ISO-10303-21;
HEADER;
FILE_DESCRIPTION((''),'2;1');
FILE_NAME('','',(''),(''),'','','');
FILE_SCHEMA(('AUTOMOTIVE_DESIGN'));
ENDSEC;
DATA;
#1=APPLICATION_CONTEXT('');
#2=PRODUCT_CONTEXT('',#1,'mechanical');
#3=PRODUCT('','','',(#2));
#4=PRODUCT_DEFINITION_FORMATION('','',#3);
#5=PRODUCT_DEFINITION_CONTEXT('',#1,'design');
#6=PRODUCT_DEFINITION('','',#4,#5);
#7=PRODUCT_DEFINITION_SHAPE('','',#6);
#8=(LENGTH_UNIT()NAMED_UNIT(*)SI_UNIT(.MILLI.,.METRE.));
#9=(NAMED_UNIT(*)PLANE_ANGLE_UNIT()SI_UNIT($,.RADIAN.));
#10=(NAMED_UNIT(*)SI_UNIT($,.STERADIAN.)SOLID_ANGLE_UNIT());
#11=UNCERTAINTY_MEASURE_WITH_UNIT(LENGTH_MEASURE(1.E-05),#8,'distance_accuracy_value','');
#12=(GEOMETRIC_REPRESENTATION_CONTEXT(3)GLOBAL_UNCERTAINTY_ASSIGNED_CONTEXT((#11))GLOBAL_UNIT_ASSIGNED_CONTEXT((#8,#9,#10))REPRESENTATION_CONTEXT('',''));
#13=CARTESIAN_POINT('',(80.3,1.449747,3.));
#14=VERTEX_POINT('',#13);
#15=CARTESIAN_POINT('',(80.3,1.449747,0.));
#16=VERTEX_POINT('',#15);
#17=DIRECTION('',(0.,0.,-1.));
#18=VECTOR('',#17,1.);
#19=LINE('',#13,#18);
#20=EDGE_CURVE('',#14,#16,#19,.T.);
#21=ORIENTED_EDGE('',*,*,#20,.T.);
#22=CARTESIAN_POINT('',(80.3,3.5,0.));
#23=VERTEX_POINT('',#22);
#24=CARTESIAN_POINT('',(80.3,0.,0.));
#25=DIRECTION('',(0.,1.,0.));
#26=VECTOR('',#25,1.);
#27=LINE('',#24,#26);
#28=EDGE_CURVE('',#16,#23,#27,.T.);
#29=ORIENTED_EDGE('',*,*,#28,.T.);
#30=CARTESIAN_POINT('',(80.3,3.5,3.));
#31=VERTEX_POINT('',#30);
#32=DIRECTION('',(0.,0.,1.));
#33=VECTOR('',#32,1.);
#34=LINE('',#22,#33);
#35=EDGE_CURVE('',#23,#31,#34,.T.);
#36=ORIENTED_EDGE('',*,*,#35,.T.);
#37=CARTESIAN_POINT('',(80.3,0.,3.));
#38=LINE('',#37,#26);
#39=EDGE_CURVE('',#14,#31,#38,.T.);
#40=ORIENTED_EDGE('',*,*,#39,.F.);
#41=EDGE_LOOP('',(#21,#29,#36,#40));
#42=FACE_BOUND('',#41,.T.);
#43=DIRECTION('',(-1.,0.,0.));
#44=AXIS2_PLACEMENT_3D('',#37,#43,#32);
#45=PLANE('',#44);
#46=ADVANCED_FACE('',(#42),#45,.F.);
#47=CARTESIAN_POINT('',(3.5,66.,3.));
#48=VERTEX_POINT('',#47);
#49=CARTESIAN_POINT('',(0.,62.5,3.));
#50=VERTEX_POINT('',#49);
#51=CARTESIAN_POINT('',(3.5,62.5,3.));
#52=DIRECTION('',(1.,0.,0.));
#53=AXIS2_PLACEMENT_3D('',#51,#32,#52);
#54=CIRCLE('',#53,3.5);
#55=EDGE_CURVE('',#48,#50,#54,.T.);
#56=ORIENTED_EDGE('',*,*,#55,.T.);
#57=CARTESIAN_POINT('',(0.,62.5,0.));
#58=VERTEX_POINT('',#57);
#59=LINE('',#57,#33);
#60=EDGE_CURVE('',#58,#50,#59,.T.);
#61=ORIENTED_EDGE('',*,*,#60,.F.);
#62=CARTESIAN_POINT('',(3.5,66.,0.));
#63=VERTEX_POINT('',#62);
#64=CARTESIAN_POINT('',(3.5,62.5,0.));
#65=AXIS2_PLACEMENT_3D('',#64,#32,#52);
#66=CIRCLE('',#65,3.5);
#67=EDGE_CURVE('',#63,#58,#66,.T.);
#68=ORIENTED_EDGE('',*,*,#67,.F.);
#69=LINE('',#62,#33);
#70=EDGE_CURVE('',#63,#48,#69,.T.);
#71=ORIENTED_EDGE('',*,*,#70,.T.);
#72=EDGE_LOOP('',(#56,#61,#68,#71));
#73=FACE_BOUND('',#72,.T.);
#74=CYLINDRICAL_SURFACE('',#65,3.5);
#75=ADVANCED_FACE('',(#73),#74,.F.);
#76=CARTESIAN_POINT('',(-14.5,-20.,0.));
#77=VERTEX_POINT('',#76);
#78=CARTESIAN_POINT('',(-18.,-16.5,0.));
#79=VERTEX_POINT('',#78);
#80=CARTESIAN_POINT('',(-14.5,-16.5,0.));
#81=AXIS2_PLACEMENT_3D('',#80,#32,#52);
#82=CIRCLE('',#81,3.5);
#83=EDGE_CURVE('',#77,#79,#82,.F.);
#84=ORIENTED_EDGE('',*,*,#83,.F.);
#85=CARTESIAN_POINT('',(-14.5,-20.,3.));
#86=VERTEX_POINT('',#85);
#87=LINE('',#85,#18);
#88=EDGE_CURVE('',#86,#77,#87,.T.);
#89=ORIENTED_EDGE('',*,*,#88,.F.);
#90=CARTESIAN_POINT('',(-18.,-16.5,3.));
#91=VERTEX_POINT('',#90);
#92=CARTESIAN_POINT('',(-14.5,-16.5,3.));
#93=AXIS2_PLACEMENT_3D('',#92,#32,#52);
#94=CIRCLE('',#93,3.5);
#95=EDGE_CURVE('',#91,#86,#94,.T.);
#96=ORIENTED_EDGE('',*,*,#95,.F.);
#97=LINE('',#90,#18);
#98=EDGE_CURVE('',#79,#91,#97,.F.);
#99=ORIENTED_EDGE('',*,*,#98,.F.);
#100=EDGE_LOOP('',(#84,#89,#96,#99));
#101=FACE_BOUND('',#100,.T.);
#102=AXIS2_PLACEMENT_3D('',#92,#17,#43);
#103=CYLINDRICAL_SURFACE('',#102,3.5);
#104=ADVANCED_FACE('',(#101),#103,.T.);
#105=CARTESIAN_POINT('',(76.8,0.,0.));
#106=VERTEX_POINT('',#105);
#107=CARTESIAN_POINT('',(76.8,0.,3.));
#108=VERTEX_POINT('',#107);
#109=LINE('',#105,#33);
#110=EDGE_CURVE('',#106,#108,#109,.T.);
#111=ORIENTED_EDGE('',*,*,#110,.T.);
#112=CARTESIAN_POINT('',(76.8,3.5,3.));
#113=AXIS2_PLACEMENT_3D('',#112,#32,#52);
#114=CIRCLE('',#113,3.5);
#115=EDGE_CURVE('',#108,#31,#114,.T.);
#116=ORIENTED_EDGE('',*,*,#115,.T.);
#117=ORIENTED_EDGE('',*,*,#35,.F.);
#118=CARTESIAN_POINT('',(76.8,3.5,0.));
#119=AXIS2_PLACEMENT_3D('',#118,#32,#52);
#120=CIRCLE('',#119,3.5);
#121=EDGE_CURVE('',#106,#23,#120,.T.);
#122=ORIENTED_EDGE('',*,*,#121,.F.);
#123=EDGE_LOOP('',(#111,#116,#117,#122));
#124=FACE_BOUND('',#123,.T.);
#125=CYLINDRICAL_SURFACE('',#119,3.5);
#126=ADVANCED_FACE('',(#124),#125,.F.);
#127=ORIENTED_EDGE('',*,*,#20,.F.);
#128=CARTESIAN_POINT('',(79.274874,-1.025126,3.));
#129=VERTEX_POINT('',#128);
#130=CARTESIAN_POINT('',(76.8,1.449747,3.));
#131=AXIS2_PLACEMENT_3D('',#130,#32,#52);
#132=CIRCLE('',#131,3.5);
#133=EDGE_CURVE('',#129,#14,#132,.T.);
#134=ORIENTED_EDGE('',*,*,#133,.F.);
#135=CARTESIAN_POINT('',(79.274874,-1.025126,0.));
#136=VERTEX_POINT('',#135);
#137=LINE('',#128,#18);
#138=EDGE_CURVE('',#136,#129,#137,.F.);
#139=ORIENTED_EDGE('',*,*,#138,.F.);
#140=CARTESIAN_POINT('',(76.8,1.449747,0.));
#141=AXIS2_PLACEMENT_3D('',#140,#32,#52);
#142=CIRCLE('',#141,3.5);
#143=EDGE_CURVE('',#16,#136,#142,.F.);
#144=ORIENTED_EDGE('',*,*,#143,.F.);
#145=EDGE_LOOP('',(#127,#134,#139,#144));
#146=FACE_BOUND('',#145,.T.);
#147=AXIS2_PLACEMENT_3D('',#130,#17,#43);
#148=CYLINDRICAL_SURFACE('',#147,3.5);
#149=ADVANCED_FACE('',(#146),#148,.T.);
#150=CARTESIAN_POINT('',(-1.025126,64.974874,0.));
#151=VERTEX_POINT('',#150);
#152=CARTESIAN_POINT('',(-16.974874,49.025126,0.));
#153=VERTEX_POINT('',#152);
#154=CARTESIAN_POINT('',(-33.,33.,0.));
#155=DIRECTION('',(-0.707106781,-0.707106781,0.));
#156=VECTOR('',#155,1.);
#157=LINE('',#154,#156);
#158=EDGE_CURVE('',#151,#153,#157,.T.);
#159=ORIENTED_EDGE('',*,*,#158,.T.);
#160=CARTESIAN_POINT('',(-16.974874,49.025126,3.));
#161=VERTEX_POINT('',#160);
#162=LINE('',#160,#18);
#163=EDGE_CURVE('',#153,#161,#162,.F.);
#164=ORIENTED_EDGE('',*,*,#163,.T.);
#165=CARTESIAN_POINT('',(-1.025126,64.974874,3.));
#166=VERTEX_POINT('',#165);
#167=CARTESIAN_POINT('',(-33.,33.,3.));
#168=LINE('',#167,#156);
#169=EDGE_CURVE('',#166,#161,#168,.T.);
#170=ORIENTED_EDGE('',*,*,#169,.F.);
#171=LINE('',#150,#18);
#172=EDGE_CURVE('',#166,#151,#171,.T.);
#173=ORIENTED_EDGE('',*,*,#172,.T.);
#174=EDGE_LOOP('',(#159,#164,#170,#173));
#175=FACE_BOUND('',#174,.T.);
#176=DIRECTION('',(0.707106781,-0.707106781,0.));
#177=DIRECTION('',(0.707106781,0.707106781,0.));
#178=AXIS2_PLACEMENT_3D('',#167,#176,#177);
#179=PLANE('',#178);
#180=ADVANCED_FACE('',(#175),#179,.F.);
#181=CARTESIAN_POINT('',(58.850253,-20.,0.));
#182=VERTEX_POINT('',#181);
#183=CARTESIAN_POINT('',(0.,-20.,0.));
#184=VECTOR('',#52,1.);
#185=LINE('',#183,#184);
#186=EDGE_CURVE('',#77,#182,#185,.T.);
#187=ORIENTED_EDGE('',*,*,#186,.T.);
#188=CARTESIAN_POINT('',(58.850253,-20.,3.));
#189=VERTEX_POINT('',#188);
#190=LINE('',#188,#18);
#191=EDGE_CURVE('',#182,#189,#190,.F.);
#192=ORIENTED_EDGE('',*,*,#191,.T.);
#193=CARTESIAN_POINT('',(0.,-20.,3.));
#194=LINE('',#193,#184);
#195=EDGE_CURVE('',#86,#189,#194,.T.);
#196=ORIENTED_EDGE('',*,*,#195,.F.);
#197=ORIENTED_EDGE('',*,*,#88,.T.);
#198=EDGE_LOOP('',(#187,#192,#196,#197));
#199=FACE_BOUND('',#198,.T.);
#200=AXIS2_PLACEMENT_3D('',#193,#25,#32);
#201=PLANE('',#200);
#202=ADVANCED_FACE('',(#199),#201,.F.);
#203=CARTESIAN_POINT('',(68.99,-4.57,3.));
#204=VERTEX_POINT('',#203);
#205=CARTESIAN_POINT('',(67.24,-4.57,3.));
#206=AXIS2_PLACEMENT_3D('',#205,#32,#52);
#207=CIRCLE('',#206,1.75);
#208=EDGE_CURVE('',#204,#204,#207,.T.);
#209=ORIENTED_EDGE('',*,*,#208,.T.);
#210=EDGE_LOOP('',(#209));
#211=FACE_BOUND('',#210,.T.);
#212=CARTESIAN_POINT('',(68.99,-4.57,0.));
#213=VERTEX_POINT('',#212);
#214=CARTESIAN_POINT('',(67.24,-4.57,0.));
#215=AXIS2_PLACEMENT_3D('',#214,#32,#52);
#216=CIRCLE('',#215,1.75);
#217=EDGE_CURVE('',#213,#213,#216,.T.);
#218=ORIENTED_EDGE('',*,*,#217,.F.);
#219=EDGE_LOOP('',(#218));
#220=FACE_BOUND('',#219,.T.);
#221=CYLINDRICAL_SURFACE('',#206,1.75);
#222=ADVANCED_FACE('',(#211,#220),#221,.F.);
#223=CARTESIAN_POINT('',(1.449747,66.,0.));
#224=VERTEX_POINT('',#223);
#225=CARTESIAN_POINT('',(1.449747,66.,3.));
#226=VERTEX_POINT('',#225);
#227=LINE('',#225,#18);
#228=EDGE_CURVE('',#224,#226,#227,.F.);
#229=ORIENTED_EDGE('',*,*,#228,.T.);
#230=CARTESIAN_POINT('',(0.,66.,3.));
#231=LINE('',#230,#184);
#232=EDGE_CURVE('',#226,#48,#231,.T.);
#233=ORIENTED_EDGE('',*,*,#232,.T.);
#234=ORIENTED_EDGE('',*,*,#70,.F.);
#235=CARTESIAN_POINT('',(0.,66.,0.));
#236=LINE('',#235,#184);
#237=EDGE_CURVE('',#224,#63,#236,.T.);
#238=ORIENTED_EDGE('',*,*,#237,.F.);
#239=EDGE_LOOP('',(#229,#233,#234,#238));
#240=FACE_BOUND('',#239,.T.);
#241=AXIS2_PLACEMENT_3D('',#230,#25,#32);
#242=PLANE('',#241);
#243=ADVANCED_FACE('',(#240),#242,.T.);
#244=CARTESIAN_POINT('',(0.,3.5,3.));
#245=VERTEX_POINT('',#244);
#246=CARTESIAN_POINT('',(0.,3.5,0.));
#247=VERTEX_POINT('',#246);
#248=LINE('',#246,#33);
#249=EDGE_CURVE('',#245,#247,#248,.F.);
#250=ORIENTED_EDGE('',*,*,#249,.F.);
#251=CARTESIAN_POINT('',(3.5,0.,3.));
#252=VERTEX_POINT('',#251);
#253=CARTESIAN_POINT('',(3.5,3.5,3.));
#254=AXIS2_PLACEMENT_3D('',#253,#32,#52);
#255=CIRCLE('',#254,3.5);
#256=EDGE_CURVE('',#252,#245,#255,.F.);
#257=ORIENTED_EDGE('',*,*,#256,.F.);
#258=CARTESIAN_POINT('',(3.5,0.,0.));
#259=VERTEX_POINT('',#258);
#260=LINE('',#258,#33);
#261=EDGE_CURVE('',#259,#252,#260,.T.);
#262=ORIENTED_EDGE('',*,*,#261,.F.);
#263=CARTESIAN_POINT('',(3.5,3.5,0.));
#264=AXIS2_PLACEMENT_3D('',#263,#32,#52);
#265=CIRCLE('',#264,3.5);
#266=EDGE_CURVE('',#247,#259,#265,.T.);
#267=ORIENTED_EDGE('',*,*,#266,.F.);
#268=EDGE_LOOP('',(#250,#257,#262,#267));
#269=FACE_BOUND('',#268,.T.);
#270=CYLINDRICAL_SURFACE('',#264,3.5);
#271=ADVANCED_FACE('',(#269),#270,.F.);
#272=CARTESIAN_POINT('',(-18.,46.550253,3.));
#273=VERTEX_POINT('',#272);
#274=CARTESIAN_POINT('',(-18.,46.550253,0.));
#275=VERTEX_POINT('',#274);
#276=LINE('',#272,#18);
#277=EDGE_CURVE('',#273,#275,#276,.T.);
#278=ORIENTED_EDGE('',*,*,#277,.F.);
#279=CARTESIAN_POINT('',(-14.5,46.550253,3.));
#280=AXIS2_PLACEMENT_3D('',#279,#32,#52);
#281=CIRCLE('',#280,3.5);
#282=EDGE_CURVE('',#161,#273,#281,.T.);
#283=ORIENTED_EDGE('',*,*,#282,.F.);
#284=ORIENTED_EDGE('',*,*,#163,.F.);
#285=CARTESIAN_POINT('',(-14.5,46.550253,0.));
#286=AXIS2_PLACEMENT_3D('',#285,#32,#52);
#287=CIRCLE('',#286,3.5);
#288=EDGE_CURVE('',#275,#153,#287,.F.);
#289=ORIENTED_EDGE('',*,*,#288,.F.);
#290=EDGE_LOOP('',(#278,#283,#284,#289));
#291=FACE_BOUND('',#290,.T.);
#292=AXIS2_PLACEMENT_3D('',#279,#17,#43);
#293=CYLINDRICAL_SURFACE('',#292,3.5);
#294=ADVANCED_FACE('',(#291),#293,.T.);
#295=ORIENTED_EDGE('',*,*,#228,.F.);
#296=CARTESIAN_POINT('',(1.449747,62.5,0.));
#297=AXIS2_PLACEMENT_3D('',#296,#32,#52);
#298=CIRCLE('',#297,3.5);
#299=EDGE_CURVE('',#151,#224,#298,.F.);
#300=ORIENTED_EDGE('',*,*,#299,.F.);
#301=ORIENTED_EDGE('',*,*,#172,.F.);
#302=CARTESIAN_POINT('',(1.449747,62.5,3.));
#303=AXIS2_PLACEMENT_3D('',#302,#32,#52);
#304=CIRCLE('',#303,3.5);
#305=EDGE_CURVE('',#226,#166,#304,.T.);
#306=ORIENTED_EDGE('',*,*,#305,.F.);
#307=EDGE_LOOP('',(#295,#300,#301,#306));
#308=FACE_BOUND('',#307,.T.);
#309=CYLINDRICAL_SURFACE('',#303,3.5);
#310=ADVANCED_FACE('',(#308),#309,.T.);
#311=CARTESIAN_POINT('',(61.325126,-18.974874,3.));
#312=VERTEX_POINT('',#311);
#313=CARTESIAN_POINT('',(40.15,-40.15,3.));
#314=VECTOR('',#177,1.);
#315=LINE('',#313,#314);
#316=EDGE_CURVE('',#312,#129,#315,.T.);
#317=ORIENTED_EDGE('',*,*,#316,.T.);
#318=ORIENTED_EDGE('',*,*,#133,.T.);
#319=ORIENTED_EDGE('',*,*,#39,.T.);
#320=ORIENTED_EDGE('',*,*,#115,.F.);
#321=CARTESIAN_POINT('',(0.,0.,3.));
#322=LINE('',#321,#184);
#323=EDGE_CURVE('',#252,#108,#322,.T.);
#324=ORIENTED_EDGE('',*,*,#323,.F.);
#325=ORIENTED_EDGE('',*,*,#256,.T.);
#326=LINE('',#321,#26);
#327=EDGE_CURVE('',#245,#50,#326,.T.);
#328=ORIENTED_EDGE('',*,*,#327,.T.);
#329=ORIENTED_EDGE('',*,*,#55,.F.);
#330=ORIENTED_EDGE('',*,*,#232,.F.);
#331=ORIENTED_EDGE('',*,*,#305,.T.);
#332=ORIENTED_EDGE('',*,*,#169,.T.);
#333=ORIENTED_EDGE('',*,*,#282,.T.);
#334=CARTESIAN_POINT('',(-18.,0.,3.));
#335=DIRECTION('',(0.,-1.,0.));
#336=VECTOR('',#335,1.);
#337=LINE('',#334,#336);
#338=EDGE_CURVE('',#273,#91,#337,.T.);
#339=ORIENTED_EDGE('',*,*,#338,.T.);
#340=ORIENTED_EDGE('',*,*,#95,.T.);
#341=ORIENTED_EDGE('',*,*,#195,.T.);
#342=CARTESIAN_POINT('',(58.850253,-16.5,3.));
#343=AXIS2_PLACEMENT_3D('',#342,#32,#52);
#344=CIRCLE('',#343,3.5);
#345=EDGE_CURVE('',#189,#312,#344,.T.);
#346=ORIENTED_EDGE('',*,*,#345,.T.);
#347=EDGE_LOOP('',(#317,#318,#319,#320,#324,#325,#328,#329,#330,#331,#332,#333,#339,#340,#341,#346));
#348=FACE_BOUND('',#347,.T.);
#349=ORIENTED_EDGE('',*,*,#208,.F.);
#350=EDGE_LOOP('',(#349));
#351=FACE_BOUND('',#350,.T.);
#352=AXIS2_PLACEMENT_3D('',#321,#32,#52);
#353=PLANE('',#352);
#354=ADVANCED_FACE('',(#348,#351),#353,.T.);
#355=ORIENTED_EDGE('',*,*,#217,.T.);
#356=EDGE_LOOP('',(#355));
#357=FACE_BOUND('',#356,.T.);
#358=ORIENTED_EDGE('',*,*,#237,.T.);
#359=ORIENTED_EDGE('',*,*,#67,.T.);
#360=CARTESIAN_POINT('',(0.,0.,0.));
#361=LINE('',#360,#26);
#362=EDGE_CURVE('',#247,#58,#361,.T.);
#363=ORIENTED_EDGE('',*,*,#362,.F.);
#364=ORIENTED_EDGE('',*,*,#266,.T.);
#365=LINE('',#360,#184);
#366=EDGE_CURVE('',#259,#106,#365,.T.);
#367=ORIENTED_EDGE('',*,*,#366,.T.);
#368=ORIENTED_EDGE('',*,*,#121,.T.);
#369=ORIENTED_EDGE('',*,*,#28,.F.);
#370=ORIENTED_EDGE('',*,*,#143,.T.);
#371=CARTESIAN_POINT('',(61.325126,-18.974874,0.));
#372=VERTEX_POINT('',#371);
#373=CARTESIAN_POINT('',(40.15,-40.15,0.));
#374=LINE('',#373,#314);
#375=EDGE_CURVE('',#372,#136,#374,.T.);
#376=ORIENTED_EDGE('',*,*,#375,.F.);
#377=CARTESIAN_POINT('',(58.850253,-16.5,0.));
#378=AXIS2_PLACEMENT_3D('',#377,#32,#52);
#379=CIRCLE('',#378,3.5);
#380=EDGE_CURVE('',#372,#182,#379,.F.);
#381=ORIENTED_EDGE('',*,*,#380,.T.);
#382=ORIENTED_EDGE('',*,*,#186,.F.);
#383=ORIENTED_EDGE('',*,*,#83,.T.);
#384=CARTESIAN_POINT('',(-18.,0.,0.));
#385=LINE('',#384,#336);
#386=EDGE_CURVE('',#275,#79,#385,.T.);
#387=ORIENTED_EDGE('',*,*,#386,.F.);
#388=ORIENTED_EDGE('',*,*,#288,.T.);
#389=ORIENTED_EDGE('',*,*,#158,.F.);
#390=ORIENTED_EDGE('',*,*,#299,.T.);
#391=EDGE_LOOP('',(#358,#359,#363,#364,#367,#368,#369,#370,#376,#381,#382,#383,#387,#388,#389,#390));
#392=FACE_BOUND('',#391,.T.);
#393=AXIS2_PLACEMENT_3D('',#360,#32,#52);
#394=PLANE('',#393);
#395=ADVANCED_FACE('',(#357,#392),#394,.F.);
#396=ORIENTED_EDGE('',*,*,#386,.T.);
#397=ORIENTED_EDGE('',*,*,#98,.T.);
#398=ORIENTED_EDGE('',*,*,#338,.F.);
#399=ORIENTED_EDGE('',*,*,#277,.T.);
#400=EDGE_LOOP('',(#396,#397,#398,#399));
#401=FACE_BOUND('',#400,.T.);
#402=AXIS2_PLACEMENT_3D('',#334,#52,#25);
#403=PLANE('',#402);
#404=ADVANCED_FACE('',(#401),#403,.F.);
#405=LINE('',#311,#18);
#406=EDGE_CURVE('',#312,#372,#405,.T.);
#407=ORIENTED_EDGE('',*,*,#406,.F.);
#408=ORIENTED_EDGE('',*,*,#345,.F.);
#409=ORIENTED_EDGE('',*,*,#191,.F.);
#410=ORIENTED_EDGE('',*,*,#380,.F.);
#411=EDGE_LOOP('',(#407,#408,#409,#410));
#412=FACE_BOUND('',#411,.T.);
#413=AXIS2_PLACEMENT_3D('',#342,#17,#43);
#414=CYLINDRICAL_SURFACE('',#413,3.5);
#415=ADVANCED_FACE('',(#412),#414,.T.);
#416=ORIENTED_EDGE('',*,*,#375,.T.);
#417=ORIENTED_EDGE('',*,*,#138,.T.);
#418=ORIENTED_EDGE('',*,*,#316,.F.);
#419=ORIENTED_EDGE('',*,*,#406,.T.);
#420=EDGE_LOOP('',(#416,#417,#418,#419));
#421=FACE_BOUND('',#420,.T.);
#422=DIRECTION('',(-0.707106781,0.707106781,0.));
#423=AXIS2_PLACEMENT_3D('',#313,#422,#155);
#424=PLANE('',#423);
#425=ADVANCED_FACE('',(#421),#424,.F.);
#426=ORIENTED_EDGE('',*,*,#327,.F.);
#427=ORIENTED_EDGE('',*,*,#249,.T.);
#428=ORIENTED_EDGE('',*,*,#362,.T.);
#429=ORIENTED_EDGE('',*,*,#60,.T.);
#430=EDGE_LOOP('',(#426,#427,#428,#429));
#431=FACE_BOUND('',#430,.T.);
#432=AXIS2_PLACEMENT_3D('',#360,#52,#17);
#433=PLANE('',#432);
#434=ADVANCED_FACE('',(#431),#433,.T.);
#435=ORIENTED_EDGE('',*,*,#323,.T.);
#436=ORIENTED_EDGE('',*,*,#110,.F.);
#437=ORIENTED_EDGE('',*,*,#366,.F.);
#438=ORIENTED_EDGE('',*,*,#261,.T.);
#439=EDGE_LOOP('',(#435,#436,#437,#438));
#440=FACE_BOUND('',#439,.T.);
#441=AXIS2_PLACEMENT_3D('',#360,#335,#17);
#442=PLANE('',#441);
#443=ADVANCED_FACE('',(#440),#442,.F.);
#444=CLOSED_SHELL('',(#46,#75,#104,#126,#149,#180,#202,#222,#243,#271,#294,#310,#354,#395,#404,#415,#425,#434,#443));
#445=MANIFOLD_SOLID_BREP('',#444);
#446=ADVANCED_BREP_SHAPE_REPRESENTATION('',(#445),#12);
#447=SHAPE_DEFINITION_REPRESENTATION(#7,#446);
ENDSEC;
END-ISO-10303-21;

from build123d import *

# Parameters (mm, degrees)
SKETCH1_W                  = 80.3
SKETCH1_H                  = 66
BOSS_EXTRUDE1_DEPTH        = 3
FILLET1_R                  = 3.5
SKETCH2_R                  = 3.5
CUT_EXTRUDE1_DEPTH         = 4
FILLET2_R                  = 3.5
F_3_5_3_5_DIAMETER_HOLE1_D = 3.5


with BuildPart() as part:
    # Sketch1 → Boss-Extrude1 (new body)
    with BuildSketch(Plane.XY):
        Polygon((-18, -20), (60.3, -20), (80.3, 0), (0, 0), (0, 66), (-18, 48), align=None)
        with Locations((40.15, 33)):
            Rectangle(SKETCH1_W, SKETCH1_H)
    extrude(amount=BOSS_EXTRUDE1_DEPTH)

    # Fillet1
    fillet1_edges = [part.edges().sort_by_distance(p)[0] for p in [
        (60.3, -20, 1.5),
        (-18, -20, 1.5),
        (-18, 48, 1.5),
        (0, 66, 1.5),
        (80.3, 66, 1.5),
        (80.3, 0, 1.5),
    ]]
    fillet(fillet1_edges, radius=FILLET1_R)

    # Sketch2 → Cut-Extrude1 (cut, through all)
    with BuildSketch(Plane.XY.offset(3)):
        with BuildLine():
            Line((0, 62.5), (0, 0))
            Line((0, 0), (76.8, 0))
            ThreePointArc((76.8, 0), (74.325126266, 5.974873734), (80.3, 3.5))
            Line((80.3, 3.5), (80.3, 62.5))
            ThreePointArc((80.3, 62.5), (74.325126266, 60.025126266), (76.8, 66))
            Line((76.8, 66), (3.500000005, 66))
            ThreePointArc((3.500000005, 66), (5.974873736, 64.974873732), (7, 62.5))
            ThreePointArc((7, 62.5), (3.5, 59), (0, 62.5))
        make_face()
        with Locations((3.5, 62.5)):
            Circle(SKETCH2_R)
        with BuildLine():
            ThreePointArc((76.8, 66), (74.325126266, 60.025126266), (80.3, 62.5))
            ThreePointArc((80.3, 62.5), (79.274873734, 64.974873734), (76.8, 66))
        make_face()
        with Locations((76.8, 3.5)):
            Circle(SKETCH2_R)
    extrude(amount=-CUT_EXTRUDE1_DEPTH, mode=Mode.SUBTRACT)

    # Fillet2
    fillet2_edges = [part.edges().sort_by_distance(p)[0] for p in [
        (0, 0, 1.5),
    ]]
    fillet(fillet2_edges, radius=FILLET2_R)

    # Ø3.5 (3.5) Diameter Hole1 (through all)
    with Locations(Plane.XY.offset(3)):
        with Locations((67.24, -4.57)):
            Hole(F_3_5_3_5_DIAMETER_HOLE1_D / 2)


solid = part.part
